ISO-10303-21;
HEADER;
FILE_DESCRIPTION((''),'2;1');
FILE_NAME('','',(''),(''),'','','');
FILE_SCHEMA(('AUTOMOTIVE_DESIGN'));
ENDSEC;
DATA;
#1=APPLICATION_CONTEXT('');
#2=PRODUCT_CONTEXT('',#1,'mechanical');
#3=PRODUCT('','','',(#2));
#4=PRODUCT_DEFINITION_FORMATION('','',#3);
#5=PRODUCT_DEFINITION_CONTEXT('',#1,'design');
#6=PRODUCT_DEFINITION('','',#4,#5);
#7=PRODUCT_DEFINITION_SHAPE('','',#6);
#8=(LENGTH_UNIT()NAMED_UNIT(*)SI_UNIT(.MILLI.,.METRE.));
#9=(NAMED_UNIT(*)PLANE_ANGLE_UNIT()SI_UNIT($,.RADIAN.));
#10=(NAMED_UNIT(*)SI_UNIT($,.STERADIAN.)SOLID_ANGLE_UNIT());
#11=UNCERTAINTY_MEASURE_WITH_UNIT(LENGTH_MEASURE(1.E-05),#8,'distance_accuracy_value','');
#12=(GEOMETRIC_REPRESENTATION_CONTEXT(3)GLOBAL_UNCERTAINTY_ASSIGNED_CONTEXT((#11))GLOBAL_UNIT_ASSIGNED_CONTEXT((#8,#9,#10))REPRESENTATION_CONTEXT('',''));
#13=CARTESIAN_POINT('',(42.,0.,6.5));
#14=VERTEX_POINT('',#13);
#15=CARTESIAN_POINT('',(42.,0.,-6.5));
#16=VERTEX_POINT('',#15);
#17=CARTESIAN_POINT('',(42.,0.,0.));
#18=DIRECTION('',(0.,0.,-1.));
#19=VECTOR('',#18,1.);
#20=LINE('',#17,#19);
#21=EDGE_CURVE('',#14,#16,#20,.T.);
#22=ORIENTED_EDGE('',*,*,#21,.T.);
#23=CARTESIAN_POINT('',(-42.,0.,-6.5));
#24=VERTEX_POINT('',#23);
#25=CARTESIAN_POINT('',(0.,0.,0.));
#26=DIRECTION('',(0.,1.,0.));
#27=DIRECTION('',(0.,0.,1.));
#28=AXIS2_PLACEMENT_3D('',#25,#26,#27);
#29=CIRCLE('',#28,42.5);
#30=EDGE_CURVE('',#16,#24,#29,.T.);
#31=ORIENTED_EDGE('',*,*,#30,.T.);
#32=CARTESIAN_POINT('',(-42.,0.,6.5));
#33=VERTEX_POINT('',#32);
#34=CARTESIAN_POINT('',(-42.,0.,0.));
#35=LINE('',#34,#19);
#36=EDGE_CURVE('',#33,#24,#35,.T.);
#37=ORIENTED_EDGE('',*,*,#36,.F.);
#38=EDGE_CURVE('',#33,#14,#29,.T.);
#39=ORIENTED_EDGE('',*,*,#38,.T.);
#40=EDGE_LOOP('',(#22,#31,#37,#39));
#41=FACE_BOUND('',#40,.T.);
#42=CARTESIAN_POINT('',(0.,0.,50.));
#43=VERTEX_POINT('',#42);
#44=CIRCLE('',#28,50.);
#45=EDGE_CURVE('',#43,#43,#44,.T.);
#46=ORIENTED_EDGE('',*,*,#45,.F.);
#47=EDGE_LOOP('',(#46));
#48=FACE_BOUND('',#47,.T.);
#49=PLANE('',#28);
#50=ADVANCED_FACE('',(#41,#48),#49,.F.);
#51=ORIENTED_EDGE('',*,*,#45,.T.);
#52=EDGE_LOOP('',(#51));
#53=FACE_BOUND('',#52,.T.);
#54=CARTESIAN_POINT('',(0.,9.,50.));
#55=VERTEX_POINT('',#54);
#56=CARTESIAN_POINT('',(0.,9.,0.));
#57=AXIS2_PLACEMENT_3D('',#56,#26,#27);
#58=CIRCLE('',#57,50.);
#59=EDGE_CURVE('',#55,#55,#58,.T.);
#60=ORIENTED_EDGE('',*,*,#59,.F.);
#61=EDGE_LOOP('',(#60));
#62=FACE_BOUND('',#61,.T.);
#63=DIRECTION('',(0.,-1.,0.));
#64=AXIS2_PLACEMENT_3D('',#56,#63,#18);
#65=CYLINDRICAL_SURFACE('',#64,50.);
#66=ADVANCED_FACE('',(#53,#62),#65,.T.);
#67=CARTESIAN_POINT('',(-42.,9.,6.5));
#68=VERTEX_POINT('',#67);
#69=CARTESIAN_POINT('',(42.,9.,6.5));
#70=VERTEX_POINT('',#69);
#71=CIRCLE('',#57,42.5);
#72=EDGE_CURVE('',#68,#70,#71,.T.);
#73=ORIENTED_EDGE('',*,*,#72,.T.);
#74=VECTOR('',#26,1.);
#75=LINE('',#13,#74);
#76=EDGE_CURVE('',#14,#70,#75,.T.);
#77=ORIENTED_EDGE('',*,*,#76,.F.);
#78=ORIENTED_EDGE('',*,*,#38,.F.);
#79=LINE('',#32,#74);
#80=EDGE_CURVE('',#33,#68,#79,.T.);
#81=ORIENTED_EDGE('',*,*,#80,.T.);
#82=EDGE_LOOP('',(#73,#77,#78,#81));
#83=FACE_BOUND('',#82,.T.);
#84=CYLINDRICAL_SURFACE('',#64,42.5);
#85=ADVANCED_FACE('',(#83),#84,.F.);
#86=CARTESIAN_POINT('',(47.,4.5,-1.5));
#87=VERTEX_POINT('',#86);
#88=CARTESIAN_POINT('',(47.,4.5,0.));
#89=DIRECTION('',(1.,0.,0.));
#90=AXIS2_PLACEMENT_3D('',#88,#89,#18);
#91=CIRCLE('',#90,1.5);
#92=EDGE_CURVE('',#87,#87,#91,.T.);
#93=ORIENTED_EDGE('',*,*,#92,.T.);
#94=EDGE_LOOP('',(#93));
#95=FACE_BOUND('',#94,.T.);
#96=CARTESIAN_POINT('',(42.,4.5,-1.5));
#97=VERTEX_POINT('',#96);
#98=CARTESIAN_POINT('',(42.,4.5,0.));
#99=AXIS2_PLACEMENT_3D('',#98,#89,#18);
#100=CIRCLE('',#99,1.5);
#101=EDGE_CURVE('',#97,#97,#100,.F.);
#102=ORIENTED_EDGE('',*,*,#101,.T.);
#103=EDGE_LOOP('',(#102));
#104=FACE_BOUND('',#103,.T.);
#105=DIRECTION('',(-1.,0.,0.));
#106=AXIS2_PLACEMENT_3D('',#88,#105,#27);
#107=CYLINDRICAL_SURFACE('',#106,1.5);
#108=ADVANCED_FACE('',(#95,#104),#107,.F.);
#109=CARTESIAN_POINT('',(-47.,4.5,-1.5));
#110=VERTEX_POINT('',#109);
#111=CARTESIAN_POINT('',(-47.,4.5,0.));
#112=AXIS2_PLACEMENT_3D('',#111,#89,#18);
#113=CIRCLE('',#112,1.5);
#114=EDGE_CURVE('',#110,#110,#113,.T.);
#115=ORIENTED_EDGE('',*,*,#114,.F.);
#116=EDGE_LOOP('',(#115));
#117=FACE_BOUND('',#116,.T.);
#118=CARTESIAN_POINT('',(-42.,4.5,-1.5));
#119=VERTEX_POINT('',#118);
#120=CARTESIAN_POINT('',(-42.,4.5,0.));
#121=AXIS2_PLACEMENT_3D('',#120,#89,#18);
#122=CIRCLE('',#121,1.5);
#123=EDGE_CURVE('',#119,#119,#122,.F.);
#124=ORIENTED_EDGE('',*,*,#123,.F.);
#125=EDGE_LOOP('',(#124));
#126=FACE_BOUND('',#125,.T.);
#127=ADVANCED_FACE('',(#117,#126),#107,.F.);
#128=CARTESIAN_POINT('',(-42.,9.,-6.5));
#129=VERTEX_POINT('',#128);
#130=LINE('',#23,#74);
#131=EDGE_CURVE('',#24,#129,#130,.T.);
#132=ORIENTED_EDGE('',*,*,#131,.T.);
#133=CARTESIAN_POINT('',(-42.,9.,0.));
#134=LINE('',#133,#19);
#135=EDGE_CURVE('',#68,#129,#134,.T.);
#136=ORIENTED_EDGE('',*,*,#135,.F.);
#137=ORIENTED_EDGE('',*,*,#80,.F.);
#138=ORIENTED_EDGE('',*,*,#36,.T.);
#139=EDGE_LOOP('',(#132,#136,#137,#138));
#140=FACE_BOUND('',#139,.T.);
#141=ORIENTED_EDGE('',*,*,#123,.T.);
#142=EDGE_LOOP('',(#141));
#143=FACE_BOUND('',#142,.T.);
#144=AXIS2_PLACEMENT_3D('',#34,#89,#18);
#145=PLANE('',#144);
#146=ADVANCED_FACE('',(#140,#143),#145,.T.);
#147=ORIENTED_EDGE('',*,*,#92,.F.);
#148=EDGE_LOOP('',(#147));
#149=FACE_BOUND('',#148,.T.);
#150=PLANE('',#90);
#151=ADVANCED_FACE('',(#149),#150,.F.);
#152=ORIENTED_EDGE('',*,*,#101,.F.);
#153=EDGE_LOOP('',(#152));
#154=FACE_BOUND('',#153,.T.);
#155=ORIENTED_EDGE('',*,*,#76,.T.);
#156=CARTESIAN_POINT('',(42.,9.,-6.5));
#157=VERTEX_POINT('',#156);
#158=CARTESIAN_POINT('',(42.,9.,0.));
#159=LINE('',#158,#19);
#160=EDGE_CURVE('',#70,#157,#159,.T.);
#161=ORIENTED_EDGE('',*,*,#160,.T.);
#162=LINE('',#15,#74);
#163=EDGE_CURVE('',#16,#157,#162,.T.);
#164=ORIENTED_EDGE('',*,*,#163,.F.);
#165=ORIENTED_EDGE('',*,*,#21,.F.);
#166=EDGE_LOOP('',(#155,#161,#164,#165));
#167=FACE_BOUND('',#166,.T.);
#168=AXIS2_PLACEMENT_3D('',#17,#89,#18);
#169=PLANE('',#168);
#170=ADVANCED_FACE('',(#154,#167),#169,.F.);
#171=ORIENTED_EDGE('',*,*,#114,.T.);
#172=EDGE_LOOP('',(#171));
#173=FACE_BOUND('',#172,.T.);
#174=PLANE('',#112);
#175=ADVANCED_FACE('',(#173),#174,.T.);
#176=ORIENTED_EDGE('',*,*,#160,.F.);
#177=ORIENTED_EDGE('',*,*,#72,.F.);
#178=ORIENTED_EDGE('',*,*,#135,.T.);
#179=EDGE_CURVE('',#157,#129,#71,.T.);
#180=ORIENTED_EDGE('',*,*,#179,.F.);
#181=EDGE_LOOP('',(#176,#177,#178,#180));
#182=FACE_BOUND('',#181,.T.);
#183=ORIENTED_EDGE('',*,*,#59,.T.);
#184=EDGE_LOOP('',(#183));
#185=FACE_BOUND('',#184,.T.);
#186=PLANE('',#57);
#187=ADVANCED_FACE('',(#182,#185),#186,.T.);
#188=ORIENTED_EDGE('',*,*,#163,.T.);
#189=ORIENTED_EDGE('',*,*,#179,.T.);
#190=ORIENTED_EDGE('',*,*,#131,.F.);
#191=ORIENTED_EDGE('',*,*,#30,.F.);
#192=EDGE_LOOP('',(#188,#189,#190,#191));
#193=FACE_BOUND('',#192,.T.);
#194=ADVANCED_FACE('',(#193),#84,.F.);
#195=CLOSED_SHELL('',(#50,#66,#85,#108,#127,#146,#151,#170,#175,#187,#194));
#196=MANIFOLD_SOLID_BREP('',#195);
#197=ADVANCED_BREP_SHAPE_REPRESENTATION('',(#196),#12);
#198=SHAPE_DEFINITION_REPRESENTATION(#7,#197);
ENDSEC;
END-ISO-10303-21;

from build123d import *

# Parameters (mm, degrees)
SKETCH1_R               = 50
SKETCH1_R_2             = 42.5
BOSS_EXTRUDE1_DEPTH     = 9
BOSS_EXTRUDE2_START     = -9
BOSS_EXTRUDE2_DEPTH     = 9
CUT_EXTRUDE1_DEPTH      = 89
CUT_EXTRUDE1_DEPTH_BACK = 5
SKETCH3_R               = 1.5


with BuildPart() as part:
    # Sketch1 → Boss-Extrude1 (new body)
    with BuildSketch(Plane(origin=(0, 0, 0), x_dir=(1, 0, 0), z_dir=(0, 1, 0))):
        with Locations(Location((0, 0, 0), (0, 0, 270))):
            Circle(SKETCH1_R)
        with Locations(Location((0, 0, 0), (0, 0, 270))):
            Circle(SKETCH1_R_2, mode=Mode.SUBTRACT)
    extrude(amount=BOSS_EXTRUDE1_DEPTH)

    # Sketch2 → Boss-Extrude2 (add)
    with BuildSketch(Plane(origin=(0, 9, 0), x_dir=(1, 0, 0), z_dir=(0, 1, 0)).offset(BOSS_EXTRUDE2_START)):
        with BuildLine():
            ThreePointArc((-42, 6.5), (-42.5, 0), (-42, -6.5))
            Line((-42, -6.5), (-42, 6.5))
        make_face()
        with BuildLine():
            Line((42, 6.5), (42, -6.5))
            ThreePointArc((42, -6.5), (42.374815634, -3.259601203), (42.5, 0))
            ThreePointArc((42.5, 0), (42.374815634, 3.259601203), (42, 6.5))
        make_face()
    extrude(amount=BOSS_EXTRUDE2_DEPTH)

    # Sketch3 → Cut-Extrude1 (cut, two sides: drawn at the far end of the back side and taken through both)
    with BuildSketch(Plane(origin=(-42, 0, 0), x_dir=(0, 0, -1), z_dir=(1, 0, 0)).offset(-CUT_EXTRUDE1_DEPTH_BACK)):
        with Locations((0, 4.5)):
            Circle(SKETCH3_R)
    extrude(amount=CUT_EXTRUDE1_DEPTH + CUT_EXTRUDE1_DEPTH_BACK, mode=Mode.SUBTRACT)


solid = part.part
